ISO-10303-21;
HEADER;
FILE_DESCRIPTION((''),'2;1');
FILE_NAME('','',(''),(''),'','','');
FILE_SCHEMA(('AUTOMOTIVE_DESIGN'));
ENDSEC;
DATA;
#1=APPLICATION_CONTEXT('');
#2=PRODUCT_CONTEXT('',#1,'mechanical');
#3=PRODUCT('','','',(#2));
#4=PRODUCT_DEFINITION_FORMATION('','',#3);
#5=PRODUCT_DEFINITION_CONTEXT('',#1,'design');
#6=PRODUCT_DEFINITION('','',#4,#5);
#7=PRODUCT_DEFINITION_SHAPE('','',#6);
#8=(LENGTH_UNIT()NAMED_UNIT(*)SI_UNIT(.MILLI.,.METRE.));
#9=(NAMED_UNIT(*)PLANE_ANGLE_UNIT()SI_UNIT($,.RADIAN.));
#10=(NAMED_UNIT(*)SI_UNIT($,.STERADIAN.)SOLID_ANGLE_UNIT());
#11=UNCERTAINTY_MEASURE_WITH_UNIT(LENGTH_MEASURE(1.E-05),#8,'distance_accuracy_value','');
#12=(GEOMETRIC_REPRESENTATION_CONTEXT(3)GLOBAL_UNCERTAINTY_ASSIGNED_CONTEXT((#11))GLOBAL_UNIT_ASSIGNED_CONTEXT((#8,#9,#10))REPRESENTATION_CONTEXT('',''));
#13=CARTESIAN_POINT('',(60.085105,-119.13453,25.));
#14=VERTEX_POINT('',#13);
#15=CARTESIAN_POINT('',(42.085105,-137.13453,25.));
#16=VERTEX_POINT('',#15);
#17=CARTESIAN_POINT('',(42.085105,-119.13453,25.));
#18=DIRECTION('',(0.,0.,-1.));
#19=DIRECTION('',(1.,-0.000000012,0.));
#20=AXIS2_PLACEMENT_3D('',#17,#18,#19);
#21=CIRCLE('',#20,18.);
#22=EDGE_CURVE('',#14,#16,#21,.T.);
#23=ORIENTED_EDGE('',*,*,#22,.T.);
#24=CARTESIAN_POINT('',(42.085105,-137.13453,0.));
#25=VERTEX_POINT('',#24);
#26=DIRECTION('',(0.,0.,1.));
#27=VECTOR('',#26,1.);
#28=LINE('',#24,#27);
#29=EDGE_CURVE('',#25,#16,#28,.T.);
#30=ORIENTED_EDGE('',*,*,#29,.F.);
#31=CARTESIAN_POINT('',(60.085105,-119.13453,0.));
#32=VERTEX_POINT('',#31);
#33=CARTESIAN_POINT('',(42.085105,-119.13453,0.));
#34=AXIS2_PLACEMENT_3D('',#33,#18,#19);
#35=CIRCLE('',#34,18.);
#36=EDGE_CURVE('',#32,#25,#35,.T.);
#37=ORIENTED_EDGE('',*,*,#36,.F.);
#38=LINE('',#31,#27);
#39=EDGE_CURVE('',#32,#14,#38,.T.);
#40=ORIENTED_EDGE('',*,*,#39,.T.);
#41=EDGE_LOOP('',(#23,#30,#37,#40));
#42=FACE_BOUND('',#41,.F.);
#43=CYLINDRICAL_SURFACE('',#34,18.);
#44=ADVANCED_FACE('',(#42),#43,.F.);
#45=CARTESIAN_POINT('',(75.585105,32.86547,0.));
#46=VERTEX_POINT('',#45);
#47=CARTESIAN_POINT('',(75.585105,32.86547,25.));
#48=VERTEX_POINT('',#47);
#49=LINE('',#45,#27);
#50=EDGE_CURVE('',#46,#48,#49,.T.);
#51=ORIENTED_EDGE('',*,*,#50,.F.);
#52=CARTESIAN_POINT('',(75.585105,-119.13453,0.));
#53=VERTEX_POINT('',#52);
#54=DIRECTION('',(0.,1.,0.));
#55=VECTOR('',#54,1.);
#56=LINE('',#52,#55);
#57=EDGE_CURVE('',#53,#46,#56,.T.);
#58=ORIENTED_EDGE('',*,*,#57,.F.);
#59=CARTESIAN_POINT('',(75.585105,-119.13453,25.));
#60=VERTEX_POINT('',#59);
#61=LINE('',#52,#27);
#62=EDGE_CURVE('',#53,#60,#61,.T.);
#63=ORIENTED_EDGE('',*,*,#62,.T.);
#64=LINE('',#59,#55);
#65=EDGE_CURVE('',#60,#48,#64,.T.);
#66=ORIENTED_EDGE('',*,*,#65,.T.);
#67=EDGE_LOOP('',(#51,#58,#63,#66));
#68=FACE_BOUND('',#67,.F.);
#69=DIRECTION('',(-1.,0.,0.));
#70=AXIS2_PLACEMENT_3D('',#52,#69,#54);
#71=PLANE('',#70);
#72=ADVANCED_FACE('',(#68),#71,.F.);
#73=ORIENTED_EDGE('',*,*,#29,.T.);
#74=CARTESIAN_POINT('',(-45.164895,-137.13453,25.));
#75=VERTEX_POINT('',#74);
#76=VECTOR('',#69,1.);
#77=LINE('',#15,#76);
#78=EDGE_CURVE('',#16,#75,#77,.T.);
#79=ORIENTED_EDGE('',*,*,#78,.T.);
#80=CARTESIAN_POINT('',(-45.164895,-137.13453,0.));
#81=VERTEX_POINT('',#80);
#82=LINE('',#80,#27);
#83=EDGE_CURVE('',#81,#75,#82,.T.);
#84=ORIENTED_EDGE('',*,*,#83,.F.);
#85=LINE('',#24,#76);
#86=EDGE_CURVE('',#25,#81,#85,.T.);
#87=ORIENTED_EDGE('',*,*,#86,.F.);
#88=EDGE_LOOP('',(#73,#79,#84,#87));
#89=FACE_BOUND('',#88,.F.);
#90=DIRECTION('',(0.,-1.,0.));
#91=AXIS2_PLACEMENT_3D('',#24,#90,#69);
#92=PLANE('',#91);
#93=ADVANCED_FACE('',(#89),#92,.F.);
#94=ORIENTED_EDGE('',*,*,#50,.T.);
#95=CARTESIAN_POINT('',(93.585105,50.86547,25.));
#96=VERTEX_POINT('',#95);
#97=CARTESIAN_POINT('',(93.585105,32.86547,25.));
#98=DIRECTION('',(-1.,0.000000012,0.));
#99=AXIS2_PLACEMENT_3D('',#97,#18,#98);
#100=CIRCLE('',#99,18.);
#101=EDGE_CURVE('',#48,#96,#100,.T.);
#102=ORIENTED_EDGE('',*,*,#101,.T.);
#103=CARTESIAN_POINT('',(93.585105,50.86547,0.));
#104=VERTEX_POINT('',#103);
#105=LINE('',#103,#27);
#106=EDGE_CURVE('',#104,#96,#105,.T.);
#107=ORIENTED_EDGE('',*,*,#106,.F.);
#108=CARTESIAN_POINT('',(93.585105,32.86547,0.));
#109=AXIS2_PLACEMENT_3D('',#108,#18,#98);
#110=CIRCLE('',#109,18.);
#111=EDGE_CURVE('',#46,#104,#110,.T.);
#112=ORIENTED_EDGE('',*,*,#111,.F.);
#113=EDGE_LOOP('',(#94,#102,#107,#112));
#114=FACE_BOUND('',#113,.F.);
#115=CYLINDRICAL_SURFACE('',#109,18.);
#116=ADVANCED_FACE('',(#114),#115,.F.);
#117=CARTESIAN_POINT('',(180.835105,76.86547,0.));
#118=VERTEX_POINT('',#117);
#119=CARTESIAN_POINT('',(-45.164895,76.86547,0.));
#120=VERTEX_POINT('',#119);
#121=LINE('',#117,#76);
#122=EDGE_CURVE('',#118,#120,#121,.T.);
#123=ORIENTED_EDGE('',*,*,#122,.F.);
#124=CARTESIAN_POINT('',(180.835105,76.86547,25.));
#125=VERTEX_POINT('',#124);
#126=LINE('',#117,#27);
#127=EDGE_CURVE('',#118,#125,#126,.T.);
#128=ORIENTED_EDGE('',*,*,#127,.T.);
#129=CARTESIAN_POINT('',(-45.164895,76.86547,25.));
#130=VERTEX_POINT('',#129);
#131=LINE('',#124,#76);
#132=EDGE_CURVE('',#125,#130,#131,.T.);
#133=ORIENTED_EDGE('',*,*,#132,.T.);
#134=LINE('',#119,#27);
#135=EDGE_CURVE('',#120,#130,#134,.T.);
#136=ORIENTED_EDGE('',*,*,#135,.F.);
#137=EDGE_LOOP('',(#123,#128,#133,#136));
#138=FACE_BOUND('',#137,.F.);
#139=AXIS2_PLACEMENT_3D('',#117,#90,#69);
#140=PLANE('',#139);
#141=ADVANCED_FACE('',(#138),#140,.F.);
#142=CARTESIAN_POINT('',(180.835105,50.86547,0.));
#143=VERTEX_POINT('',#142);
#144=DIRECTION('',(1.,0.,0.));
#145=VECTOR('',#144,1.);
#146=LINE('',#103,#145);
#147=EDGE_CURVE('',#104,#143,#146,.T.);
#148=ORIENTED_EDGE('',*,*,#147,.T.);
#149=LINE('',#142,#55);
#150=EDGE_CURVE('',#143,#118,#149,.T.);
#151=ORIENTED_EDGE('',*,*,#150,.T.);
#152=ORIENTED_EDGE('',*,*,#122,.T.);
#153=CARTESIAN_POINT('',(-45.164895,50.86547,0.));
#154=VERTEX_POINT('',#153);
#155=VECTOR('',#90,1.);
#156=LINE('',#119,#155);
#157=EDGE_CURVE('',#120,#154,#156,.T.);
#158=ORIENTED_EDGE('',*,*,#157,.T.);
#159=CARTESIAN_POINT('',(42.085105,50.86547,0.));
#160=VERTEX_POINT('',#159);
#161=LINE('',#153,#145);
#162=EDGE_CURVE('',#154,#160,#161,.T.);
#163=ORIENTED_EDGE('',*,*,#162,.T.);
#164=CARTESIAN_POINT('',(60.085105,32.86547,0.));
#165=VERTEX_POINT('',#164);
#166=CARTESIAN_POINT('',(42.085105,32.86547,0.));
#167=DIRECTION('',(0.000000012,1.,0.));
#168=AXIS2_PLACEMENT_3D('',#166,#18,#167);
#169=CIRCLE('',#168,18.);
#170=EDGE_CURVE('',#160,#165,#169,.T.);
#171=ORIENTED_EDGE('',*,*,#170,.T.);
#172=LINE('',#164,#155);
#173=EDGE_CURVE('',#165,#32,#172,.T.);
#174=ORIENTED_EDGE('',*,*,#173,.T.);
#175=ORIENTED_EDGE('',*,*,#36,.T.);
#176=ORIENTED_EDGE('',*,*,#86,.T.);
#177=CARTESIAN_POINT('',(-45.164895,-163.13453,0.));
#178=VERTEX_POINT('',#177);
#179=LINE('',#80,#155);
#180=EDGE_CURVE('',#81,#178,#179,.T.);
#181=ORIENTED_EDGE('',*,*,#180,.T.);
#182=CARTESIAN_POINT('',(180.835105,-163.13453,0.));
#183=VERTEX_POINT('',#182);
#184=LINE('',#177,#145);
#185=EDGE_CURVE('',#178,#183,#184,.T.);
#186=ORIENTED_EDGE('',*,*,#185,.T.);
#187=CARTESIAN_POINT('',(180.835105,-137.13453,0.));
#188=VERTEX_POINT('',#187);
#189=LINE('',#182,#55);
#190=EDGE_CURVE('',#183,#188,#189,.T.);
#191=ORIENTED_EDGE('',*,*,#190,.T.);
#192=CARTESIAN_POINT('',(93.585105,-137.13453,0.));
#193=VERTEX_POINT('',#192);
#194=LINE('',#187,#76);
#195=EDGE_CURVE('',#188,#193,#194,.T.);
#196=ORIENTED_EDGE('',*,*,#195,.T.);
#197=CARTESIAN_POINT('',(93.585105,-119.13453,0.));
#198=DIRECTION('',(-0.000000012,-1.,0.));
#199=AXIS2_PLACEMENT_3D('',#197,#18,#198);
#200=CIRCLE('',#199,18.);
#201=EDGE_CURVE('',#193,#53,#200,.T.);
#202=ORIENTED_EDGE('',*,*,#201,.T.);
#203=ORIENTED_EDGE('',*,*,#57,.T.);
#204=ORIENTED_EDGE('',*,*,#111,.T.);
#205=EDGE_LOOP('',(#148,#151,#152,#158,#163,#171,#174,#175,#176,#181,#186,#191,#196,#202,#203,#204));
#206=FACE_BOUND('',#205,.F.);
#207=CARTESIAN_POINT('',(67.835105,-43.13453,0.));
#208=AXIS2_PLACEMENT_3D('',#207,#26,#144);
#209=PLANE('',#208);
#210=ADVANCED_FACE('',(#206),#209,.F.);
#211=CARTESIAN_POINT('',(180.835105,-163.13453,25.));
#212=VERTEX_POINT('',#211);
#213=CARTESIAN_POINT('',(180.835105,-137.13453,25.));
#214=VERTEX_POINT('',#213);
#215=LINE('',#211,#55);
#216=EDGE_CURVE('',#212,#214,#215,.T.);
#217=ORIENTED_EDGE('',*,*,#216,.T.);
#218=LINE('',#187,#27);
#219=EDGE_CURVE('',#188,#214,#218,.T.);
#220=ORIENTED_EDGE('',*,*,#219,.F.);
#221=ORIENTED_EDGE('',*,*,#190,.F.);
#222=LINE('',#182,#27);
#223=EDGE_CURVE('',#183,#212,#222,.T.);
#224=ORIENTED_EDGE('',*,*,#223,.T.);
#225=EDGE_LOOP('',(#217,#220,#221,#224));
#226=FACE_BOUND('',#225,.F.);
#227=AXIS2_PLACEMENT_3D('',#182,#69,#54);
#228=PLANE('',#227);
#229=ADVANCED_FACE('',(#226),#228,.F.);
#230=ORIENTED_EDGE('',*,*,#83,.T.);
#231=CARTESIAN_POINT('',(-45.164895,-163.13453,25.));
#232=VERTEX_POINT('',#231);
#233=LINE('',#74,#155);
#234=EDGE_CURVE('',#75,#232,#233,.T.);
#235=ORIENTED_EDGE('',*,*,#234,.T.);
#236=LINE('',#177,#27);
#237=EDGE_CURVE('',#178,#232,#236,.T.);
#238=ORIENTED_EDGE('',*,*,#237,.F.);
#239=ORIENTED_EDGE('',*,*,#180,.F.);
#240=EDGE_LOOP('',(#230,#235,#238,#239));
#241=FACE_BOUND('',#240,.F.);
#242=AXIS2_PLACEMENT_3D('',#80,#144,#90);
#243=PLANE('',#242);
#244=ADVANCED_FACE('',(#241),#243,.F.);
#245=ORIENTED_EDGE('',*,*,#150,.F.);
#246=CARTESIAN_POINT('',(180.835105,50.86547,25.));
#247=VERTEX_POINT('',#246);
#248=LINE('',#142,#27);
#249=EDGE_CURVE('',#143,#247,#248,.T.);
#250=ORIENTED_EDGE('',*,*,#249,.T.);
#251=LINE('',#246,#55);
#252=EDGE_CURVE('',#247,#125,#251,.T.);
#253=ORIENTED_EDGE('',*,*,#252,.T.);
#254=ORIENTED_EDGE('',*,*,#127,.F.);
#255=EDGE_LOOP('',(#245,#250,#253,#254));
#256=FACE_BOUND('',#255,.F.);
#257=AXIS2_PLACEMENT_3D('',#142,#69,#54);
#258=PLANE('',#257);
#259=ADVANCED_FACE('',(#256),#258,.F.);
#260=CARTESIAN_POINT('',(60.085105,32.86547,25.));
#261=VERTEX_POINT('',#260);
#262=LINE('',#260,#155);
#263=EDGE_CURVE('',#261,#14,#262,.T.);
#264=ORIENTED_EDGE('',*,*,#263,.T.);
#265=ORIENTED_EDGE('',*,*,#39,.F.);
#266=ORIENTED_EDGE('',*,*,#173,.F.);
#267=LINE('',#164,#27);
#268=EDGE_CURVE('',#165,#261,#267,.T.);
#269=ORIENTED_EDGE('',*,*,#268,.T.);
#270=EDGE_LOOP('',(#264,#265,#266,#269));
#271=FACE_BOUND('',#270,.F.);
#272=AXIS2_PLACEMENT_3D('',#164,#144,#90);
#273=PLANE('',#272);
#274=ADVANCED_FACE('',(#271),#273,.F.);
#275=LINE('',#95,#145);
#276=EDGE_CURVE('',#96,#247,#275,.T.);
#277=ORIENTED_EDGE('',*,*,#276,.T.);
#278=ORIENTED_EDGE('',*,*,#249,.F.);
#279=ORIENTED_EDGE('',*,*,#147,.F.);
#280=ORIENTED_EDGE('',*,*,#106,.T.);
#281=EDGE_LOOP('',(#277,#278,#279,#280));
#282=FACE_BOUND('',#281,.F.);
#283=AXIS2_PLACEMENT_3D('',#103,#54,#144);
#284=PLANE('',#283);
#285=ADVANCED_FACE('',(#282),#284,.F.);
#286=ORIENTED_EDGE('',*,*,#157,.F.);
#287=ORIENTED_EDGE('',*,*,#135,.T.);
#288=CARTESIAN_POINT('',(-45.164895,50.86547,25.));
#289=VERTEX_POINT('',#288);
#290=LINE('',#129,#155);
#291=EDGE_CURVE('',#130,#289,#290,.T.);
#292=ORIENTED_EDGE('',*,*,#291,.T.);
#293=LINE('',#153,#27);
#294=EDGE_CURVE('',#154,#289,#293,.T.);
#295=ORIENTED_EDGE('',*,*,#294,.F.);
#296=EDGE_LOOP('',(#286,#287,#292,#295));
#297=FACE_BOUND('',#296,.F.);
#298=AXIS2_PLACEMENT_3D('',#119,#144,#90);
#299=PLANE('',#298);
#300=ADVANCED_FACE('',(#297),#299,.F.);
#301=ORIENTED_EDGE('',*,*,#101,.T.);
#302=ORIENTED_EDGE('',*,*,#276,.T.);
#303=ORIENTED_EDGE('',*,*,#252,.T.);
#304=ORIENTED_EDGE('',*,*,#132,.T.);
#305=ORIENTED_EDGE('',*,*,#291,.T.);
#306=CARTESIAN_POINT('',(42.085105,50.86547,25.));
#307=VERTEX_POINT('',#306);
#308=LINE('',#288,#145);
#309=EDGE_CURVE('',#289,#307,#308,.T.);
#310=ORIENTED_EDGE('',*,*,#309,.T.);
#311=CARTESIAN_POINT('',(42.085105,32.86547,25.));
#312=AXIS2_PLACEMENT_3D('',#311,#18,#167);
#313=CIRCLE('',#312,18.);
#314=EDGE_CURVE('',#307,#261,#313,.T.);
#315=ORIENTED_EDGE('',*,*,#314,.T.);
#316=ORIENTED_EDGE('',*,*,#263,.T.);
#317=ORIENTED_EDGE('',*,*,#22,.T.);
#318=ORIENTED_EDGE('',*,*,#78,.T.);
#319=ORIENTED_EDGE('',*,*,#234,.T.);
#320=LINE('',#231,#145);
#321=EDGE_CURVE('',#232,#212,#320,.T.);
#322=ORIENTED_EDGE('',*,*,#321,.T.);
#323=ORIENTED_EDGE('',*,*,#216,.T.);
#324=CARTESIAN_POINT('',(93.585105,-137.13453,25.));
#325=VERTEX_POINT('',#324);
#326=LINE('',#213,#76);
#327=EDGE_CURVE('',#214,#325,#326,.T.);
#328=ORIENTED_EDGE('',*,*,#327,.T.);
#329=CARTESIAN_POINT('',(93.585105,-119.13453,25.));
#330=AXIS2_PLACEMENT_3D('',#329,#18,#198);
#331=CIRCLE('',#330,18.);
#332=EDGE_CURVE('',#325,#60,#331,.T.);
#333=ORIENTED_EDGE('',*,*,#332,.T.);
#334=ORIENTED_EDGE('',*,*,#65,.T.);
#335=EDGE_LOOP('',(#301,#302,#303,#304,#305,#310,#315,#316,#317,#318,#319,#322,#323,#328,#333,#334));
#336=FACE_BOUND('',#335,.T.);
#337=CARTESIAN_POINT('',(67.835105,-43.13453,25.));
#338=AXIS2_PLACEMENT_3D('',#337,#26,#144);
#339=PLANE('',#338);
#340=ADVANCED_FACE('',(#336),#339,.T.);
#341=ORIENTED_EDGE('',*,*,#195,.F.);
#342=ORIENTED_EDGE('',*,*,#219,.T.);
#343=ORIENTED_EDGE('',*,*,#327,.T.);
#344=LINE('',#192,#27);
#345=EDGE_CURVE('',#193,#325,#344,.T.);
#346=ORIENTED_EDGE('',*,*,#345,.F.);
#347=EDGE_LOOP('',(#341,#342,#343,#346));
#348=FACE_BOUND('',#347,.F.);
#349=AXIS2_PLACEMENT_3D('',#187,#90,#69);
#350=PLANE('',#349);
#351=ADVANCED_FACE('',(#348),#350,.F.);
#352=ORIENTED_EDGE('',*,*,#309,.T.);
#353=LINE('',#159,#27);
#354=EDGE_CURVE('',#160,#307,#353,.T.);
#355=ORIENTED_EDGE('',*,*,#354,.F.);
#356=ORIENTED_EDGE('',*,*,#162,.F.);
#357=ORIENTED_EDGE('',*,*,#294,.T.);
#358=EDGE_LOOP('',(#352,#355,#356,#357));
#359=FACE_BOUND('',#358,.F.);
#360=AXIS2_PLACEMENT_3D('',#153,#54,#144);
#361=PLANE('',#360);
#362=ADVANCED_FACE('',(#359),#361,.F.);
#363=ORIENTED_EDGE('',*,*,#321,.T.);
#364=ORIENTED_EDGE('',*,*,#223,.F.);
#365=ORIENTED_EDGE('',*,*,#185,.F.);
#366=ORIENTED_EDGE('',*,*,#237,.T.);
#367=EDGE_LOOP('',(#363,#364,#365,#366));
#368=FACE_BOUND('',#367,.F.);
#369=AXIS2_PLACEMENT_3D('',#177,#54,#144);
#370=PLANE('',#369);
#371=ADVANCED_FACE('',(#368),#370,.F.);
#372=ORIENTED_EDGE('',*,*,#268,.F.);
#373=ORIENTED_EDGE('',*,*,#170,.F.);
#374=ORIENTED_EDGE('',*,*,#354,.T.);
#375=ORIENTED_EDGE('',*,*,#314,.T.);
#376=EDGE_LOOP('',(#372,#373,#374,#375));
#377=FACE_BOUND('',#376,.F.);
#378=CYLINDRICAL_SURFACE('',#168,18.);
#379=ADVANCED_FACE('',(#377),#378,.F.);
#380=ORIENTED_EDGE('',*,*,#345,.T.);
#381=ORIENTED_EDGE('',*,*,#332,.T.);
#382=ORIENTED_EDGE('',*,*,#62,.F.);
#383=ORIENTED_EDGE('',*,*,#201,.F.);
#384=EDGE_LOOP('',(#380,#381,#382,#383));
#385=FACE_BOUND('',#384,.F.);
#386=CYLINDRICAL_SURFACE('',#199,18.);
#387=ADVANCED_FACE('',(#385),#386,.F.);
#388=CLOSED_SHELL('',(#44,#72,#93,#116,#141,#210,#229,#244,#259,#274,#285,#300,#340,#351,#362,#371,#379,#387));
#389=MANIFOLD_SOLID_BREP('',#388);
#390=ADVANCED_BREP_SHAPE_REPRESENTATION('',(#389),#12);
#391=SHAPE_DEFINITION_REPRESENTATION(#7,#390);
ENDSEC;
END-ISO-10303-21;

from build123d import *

# Parameters (mm, degrees)
F1_DEPTH = 25


with BuildPart() as f1:
    # F0 (on Top) → F1 (new body)
    with BuildSketch(Plane.XY):
        with BuildLine():
            Line((180.835105, 76.86547), (-45.164895, 76.86547))
            Line((-45.164895, 76.86547), (-45.164895, 50.86547))
            Line((-45.164895, 50.86547), (42.085105, 50.86547))
            ThreePointArc((42.085105, 50.86547), (54.813027, 45.593392), (60.085105, 32.86547))
            Line((60.085105, 32.86547), (60.085105, -54.423444))
            Line((60.085105, -54.423444), (60.085105, -119.13453))
            ThreePointArc((60.085105, -119.13453), (54.813027, -131.862452), (42.085105, -137.13453))
            Line((42.085105, -137.13453), (-45.164895, -137.13453))
            Line((-45.164895, -137.13453), (-45.164895, -163.13453))
            Line((-45.164895, -163.13453), (180.835105, -163.13453))
            Line((180.835105, -163.13453), (180.835105, -137.13453))
            Line((180.835105, -137.13453), (93.585105, -137.13453))
            ThreePointArc((93.585105, -137.13453), (80.857183, -131.862452), (75.585105, -119.13453))
            Line((75.585105, -119.13453), (75.585105, -54.423444))
            Line((75.585105, -54.423444), (75.585105, 32.86547))
            ThreePointArc((75.585105, 32.86547), (80.857183, 45.593392), (93.585105, 50.86547))
            Line((93.585105, 50.86547), (180.835105, 50.86547))
            Line((180.835105, 50.86547), (180.835105, 76.86547))
        make_face()
    extrude(amount=F1_DEPTH)


solid = f1.part
